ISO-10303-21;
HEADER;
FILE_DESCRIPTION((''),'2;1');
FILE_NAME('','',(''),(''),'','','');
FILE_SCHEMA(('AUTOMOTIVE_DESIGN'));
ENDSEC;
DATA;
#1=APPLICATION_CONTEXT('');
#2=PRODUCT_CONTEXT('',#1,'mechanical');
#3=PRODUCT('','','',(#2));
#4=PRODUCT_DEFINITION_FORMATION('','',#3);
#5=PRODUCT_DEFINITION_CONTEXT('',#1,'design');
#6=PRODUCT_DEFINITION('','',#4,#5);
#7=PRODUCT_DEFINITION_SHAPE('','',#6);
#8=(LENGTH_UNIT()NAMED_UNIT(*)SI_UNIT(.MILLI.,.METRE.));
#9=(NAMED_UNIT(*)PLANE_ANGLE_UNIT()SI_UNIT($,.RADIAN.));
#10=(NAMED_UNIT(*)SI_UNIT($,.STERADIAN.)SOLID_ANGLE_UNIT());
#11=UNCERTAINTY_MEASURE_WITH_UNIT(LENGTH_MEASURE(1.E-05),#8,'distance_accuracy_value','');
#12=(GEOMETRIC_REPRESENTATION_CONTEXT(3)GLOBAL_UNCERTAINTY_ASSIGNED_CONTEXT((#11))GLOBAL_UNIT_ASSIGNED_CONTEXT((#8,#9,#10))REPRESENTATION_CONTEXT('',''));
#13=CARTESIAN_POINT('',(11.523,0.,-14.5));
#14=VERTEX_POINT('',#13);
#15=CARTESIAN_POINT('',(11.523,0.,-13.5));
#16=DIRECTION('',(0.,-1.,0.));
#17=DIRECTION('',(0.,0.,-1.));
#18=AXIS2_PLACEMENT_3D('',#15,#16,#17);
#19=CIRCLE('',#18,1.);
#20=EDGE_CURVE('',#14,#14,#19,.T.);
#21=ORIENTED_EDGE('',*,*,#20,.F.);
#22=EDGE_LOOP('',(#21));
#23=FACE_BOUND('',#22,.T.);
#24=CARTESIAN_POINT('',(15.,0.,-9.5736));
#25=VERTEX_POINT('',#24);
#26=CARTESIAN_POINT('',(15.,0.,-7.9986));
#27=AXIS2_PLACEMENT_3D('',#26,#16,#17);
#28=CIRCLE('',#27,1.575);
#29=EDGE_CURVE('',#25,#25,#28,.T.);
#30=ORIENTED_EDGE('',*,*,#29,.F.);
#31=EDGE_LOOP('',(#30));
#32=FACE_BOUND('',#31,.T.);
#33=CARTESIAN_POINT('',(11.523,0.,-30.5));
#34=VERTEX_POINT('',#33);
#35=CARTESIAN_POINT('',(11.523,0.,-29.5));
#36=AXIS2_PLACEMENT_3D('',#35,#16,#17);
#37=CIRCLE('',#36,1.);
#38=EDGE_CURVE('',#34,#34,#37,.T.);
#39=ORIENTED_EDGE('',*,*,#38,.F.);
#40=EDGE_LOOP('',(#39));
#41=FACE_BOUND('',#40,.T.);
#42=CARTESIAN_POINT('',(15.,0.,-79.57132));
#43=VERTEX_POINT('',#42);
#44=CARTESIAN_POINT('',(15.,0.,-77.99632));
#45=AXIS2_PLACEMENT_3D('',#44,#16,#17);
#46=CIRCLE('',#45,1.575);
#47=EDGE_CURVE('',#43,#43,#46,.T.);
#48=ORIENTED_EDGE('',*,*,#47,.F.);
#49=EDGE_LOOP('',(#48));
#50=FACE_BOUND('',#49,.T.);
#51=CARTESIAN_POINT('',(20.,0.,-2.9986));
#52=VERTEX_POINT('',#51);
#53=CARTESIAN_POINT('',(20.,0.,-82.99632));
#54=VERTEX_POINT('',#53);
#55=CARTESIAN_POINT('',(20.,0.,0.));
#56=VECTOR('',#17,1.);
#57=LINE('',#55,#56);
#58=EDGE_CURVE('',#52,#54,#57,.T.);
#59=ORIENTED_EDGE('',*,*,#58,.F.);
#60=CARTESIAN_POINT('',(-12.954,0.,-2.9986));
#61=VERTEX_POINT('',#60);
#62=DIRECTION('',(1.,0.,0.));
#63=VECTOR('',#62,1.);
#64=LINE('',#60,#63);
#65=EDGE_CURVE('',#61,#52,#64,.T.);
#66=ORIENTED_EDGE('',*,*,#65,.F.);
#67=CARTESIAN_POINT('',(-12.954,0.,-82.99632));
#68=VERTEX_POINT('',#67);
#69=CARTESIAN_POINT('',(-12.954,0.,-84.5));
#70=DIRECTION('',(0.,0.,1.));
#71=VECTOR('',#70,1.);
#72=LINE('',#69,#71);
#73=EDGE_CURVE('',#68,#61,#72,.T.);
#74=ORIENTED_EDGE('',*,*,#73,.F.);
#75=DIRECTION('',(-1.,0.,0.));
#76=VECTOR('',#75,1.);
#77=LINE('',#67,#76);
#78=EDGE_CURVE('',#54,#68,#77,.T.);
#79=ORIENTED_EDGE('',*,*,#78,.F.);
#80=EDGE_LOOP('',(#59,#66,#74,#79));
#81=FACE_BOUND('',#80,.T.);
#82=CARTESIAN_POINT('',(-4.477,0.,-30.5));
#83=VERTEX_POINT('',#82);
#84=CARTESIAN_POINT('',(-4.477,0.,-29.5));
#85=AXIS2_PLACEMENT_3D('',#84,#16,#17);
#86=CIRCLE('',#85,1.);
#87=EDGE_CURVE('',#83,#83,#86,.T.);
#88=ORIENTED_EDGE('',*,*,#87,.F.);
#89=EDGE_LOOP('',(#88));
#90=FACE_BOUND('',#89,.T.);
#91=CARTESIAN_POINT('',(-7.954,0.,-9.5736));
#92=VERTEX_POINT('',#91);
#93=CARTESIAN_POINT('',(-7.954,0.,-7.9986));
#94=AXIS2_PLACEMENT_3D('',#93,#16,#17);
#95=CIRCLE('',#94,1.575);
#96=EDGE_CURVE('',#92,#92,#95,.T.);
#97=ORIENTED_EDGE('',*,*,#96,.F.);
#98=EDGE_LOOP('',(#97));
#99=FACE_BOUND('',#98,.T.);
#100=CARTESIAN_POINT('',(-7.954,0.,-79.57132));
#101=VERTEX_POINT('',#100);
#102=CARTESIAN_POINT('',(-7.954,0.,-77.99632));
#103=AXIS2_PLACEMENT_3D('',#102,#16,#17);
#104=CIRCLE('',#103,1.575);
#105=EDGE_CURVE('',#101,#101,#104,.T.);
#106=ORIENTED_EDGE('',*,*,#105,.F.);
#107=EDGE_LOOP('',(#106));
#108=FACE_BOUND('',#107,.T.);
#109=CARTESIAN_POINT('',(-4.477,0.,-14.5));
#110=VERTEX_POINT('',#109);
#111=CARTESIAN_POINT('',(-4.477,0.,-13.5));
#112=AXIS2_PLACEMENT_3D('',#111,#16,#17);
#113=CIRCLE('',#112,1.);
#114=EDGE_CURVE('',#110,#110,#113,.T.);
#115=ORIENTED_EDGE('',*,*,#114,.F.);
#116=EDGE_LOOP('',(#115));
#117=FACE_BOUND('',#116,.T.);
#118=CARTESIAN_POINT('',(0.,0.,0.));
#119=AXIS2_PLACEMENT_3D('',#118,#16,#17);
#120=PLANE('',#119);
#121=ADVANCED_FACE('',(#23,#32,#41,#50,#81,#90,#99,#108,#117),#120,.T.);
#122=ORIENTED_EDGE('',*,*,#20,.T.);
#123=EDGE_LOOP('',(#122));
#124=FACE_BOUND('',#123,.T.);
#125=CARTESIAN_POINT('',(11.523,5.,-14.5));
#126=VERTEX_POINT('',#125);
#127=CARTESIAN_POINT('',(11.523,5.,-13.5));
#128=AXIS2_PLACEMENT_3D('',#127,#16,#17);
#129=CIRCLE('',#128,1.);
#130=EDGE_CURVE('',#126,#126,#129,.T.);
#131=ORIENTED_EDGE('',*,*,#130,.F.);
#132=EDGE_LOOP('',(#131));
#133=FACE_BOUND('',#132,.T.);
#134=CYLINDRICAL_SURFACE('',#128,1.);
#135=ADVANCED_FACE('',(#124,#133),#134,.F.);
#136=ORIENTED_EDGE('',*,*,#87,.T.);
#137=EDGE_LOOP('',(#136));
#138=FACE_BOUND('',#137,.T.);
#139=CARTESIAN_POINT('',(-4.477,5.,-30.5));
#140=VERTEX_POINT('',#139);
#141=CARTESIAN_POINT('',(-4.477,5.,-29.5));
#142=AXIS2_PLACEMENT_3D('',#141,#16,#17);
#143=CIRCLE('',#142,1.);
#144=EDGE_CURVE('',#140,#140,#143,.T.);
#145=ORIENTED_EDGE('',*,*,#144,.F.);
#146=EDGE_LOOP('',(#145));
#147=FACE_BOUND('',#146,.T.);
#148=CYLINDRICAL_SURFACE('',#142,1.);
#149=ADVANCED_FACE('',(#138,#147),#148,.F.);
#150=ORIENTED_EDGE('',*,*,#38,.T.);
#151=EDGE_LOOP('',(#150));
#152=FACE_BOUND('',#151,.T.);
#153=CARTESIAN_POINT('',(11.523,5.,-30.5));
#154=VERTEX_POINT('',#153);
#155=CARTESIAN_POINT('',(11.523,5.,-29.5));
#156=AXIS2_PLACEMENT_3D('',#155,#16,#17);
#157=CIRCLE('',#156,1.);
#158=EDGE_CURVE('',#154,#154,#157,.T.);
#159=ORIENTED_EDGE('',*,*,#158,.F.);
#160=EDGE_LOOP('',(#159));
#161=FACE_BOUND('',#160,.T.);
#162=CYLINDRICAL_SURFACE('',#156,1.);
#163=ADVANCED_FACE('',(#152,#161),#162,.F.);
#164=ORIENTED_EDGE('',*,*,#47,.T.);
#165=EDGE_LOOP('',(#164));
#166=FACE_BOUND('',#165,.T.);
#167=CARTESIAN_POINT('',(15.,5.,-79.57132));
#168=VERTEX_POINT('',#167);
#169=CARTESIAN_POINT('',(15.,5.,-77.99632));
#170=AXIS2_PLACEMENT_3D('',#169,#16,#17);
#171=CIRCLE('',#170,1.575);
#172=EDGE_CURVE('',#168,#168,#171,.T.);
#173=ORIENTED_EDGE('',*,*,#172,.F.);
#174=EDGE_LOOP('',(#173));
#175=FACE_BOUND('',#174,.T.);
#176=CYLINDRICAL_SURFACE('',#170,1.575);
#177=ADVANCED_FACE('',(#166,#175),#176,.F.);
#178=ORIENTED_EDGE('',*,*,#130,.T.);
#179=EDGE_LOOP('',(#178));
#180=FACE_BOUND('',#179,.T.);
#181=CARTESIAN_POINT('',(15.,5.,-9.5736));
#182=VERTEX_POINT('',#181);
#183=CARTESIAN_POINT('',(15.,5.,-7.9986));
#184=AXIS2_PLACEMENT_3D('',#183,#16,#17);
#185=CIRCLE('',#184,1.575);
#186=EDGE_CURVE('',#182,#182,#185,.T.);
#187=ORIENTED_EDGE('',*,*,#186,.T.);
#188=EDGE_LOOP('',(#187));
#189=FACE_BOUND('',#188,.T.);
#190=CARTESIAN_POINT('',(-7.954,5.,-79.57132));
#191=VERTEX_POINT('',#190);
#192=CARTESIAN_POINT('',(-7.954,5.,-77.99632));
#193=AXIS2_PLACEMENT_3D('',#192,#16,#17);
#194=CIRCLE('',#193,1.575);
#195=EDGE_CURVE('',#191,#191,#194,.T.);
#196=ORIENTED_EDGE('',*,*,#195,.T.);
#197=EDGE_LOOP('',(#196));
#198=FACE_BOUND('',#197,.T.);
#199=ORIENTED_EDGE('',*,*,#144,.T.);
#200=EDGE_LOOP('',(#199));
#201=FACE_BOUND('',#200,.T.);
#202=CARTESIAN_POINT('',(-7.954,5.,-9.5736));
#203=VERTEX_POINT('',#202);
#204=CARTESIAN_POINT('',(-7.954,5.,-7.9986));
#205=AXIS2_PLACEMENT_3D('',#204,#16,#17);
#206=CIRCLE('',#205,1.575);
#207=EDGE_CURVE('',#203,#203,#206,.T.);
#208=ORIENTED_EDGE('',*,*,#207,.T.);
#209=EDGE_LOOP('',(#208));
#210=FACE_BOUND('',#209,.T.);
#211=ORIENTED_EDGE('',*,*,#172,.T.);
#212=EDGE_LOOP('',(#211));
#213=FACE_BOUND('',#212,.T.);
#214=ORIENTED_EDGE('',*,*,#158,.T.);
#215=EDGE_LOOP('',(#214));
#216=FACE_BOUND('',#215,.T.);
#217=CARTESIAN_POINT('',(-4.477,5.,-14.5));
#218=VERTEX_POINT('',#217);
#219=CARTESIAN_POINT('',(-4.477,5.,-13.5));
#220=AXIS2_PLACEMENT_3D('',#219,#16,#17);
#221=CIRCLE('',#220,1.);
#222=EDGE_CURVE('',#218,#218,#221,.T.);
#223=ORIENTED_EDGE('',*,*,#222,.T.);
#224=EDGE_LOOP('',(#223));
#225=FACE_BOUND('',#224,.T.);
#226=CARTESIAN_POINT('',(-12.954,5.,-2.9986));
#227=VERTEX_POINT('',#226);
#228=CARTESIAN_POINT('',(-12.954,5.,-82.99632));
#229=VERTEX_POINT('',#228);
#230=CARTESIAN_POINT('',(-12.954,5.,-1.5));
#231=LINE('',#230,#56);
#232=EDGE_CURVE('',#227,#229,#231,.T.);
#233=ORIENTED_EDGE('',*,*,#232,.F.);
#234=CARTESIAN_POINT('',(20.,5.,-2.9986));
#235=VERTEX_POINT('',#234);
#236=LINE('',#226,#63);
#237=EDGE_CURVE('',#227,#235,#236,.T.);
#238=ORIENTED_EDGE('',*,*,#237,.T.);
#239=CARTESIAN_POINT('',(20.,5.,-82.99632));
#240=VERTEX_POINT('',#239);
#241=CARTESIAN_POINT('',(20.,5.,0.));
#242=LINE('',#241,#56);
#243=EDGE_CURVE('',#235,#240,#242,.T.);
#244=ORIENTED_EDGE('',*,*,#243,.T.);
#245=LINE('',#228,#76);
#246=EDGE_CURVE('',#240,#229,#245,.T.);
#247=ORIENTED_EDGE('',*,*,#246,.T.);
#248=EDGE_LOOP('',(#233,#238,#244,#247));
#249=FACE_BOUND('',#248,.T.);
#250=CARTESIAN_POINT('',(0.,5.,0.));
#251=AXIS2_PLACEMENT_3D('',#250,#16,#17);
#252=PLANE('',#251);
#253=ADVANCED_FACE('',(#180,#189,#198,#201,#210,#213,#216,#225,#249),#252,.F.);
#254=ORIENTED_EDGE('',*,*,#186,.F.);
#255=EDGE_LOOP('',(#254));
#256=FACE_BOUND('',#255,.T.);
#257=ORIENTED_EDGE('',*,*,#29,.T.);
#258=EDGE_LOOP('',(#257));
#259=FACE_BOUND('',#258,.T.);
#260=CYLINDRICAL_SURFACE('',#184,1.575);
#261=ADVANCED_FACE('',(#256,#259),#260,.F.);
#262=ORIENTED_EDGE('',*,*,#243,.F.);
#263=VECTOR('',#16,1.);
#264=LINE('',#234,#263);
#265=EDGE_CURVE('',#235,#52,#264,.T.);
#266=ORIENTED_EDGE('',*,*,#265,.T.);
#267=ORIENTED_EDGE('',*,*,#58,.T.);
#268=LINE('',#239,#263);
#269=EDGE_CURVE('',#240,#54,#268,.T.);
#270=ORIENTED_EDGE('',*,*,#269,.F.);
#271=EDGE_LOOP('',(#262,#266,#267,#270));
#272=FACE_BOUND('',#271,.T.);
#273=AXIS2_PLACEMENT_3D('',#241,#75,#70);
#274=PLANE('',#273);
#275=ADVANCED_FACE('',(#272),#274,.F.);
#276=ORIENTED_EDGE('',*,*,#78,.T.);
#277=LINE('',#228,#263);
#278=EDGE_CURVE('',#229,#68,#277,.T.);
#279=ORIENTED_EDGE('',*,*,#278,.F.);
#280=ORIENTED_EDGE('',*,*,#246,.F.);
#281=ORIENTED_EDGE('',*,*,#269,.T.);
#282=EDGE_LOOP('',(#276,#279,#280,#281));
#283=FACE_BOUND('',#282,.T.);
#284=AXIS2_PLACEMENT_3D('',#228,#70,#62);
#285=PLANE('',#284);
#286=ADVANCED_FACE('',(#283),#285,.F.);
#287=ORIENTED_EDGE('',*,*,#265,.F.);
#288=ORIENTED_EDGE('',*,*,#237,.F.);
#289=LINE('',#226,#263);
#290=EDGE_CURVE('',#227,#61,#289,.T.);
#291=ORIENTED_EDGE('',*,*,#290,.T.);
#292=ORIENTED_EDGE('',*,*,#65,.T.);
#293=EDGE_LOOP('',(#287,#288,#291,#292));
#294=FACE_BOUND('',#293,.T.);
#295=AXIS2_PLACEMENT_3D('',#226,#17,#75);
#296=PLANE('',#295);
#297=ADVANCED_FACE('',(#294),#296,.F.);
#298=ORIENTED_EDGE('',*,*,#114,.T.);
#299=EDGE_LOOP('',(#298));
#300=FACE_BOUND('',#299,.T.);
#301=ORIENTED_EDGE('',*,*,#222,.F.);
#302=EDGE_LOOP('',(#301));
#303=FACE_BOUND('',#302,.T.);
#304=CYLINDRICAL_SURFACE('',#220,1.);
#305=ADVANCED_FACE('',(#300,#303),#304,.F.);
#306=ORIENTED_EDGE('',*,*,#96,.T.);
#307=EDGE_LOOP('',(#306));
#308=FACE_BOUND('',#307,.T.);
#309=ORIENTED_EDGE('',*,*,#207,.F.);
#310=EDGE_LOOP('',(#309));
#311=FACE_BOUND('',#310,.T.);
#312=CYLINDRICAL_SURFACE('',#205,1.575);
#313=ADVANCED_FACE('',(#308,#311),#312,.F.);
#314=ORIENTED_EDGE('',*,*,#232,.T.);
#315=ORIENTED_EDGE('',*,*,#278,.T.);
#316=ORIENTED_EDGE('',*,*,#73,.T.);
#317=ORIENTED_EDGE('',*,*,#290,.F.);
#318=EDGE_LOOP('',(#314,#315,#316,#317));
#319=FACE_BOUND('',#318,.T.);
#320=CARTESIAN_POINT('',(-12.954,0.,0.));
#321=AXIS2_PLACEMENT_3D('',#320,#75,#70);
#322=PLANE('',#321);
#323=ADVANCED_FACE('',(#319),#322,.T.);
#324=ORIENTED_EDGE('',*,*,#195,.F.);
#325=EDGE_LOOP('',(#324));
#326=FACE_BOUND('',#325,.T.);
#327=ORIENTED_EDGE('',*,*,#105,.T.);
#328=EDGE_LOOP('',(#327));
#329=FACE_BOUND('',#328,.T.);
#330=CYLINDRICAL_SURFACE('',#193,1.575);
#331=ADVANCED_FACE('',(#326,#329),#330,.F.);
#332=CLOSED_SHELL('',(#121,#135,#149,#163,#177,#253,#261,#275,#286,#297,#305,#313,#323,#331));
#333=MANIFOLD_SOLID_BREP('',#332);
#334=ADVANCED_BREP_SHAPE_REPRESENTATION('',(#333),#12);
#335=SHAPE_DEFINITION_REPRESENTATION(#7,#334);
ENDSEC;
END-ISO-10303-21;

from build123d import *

# Parameters (mm, degrees)
SKETCH1_W           = 20
SKETCH1_H           = 40
BOSS_EXTRUDE1_DEPTH = 5
SKETCH3_W           = 20
SKETCH3_H           = 5
BOSS_EXTRUDE2_DEPTH = 33
SKETCH4_W           = 20
SKETCH4_H           = 3
CUT_EXTRUDE2_DEPTH  = 76.855125074
SKETCH5_W           = 20
SKETCH5_H           = 5
BOSS_EXTRUDE3_DEPTH = 10
SKETCH6_W           = 20
SKETCH6_H           = 5
BOSS_EXTRUDE4_DEPTH = 1.5
SKETCH7_W           = 20
SKETCH7_H           = 5
BOSS_EXTRUDE5_DEPTH = 1.5
SKETCH9_W           = 83
SKETCH9_H           = 5
BOSS_EXTRUDE7_DEPTH = 12.954
SKETCH10_R          = 1
CUT_EXTRUDE3_DEPTH  = 87.978445606
SKETCH11_W          = 32.954
SKETCH11_H          = 1.4986
SKETCH11_H_2        = 1.50368
CUT_EXTRUDE4_DEPTH  = 87.978445606
SKETCH12_R          = 1.575
CUT_EXTRUDE5_DEPTH  = 86.518355536


with BuildPart() as part:
    # Sketch1 → Boss-Extrude1 (new body)
    with BuildSketch(Plane(origin=(0, 0, 0), x_dir=(1, 0, 0), z_dir=(0, 1, 0))):
        with Locations((10, 20)):
            Rectangle(SKETCH1_W, SKETCH1_H)
    extrude(amount=BOSS_EXTRUDE1_DEPTH)

    # Sketch3 → Boss-Extrude2 (add)
    with BuildSketch(Plane(origin=(0, 0, -40), x_dir=(-1, 0, 0), z_dir=(0, 0, -1))):
        with Locations((-10, 2.5)):
            Rectangle(SKETCH3_W, SKETCH3_H)
    extrude(amount=BOSS_EXTRUDE2_DEPTH)

    # Sketch4 → Cut-Extrude2 (cut, through all)
    with BuildSketch(Plane(origin=(0, 5, 0), x_dir=(1, 0, 0), z_dir=(0, 1, 0))):
        with Locations((10, 1.5)):
            Rectangle(SKETCH4_W, SKETCH4_H)
    extrude(amount=-CUT_EXTRUDE2_DEPTH, mode=Mode.SUBTRACT)

    # Sketch5 → Boss-Extrude3 (add)
    with BuildSketch(Plane(origin=(0, 0, -73), x_dir=(-1, 0, 0), z_dir=(0, 0, -1))):
        with Locations((-10, 2.5)):
            Rectangle(SKETCH5_W, SKETCH5_H)
    extrude(amount=BOSS_EXTRUDE3_DEPTH)

    # Sketch6 → Boss-Extrude4 (add)
    with BuildSketch(Plane(origin=(0, 0, -83), x_dir=(-1, 0, 0), z_dir=(0, 0, -1))):
        with Locations((-10, 2.5)):
            Rectangle(SKETCH6_W, SKETCH6_H)
    extrude(amount=BOSS_EXTRUDE4_DEPTH)

    # Sketch7 → Boss-Extrude5 (add)
    with BuildSketch(Plane.XY.offset(-3)):
        with Locations((10, 2.5)):
            Rectangle(SKETCH7_W, SKETCH7_H)
    extrude(amount=BOSS_EXTRUDE5_DEPTH)

    # Sketch9 → Boss-Extrude7 (add)
    with BuildSketch(Plane.ZY):
        with Locations((-43, 2.5)):
            Rectangle(SKETCH9_W, SKETCH9_H)
    extrude(amount=BOSS_EXTRUDE7_DEPTH)

    # Sketch10 → Cut-Extrude3 (cut, through all)
    with BuildSketch(Plane.XZ):
        with Locations(Location((-4.477, -13.5, 0), (0, 0, 270))):
            Circle(SKETCH10_R)
        with Locations(Location((11.523, -13.5, 0), (0, 0, 270))):
            Circle(SKETCH10_R)
        with Locations(Location((11.523, -29.5, 0), (0, 0, 270))):
            Circle(SKETCH10_R)
        with Locations(Location((-4.477, -29.5, 0), (0, 0, 270))):
            Circle(SKETCH10_R)
    extrude(amount=-CUT_EXTRUDE3_DEPTH, mode=Mode.SUBTRACT)

    # Sketch11 → Cut-Extrude4 (cut, through all)
    with BuildSketch(Plane.XZ):
        with Locations((3.523, -2.2493)):
            Rectangle(SKETCH11_W, SKETCH11_H)
        with Locations((3.523, -83.74816)):
            Rectangle(SKETCH11_W, SKETCH11_H_2)
    extrude(amount=-CUT_EXTRUDE4_DEPTH, mode=Mode.SUBTRACT)

    # Sketch12 → Cut-Extrude5 (cut, through all)
    with BuildSketch(Plane.XZ):
        with Locations(Location((-7.954, -7.9986, 0), (0, 0, 270))):
            Circle(SKETCH12_R)
        with Locations(Location((15, -7.9986, 0), (0, 0, 270))):
            Circle(SKETCH12_R)
        with Locations(Location((15, -77.99632, 0), (0, 0, 270))):
            Circle(SKETCH12_R)
        with Locations(Location((-7.954, -77.99632, 0), (0, 0, 270))):
            Circle(SKETCH12_R)
    extrude(amount=-CUT_EXTRUDE5_DEPTH, mode=Mode.SUBTRACT)


solid = part.part
